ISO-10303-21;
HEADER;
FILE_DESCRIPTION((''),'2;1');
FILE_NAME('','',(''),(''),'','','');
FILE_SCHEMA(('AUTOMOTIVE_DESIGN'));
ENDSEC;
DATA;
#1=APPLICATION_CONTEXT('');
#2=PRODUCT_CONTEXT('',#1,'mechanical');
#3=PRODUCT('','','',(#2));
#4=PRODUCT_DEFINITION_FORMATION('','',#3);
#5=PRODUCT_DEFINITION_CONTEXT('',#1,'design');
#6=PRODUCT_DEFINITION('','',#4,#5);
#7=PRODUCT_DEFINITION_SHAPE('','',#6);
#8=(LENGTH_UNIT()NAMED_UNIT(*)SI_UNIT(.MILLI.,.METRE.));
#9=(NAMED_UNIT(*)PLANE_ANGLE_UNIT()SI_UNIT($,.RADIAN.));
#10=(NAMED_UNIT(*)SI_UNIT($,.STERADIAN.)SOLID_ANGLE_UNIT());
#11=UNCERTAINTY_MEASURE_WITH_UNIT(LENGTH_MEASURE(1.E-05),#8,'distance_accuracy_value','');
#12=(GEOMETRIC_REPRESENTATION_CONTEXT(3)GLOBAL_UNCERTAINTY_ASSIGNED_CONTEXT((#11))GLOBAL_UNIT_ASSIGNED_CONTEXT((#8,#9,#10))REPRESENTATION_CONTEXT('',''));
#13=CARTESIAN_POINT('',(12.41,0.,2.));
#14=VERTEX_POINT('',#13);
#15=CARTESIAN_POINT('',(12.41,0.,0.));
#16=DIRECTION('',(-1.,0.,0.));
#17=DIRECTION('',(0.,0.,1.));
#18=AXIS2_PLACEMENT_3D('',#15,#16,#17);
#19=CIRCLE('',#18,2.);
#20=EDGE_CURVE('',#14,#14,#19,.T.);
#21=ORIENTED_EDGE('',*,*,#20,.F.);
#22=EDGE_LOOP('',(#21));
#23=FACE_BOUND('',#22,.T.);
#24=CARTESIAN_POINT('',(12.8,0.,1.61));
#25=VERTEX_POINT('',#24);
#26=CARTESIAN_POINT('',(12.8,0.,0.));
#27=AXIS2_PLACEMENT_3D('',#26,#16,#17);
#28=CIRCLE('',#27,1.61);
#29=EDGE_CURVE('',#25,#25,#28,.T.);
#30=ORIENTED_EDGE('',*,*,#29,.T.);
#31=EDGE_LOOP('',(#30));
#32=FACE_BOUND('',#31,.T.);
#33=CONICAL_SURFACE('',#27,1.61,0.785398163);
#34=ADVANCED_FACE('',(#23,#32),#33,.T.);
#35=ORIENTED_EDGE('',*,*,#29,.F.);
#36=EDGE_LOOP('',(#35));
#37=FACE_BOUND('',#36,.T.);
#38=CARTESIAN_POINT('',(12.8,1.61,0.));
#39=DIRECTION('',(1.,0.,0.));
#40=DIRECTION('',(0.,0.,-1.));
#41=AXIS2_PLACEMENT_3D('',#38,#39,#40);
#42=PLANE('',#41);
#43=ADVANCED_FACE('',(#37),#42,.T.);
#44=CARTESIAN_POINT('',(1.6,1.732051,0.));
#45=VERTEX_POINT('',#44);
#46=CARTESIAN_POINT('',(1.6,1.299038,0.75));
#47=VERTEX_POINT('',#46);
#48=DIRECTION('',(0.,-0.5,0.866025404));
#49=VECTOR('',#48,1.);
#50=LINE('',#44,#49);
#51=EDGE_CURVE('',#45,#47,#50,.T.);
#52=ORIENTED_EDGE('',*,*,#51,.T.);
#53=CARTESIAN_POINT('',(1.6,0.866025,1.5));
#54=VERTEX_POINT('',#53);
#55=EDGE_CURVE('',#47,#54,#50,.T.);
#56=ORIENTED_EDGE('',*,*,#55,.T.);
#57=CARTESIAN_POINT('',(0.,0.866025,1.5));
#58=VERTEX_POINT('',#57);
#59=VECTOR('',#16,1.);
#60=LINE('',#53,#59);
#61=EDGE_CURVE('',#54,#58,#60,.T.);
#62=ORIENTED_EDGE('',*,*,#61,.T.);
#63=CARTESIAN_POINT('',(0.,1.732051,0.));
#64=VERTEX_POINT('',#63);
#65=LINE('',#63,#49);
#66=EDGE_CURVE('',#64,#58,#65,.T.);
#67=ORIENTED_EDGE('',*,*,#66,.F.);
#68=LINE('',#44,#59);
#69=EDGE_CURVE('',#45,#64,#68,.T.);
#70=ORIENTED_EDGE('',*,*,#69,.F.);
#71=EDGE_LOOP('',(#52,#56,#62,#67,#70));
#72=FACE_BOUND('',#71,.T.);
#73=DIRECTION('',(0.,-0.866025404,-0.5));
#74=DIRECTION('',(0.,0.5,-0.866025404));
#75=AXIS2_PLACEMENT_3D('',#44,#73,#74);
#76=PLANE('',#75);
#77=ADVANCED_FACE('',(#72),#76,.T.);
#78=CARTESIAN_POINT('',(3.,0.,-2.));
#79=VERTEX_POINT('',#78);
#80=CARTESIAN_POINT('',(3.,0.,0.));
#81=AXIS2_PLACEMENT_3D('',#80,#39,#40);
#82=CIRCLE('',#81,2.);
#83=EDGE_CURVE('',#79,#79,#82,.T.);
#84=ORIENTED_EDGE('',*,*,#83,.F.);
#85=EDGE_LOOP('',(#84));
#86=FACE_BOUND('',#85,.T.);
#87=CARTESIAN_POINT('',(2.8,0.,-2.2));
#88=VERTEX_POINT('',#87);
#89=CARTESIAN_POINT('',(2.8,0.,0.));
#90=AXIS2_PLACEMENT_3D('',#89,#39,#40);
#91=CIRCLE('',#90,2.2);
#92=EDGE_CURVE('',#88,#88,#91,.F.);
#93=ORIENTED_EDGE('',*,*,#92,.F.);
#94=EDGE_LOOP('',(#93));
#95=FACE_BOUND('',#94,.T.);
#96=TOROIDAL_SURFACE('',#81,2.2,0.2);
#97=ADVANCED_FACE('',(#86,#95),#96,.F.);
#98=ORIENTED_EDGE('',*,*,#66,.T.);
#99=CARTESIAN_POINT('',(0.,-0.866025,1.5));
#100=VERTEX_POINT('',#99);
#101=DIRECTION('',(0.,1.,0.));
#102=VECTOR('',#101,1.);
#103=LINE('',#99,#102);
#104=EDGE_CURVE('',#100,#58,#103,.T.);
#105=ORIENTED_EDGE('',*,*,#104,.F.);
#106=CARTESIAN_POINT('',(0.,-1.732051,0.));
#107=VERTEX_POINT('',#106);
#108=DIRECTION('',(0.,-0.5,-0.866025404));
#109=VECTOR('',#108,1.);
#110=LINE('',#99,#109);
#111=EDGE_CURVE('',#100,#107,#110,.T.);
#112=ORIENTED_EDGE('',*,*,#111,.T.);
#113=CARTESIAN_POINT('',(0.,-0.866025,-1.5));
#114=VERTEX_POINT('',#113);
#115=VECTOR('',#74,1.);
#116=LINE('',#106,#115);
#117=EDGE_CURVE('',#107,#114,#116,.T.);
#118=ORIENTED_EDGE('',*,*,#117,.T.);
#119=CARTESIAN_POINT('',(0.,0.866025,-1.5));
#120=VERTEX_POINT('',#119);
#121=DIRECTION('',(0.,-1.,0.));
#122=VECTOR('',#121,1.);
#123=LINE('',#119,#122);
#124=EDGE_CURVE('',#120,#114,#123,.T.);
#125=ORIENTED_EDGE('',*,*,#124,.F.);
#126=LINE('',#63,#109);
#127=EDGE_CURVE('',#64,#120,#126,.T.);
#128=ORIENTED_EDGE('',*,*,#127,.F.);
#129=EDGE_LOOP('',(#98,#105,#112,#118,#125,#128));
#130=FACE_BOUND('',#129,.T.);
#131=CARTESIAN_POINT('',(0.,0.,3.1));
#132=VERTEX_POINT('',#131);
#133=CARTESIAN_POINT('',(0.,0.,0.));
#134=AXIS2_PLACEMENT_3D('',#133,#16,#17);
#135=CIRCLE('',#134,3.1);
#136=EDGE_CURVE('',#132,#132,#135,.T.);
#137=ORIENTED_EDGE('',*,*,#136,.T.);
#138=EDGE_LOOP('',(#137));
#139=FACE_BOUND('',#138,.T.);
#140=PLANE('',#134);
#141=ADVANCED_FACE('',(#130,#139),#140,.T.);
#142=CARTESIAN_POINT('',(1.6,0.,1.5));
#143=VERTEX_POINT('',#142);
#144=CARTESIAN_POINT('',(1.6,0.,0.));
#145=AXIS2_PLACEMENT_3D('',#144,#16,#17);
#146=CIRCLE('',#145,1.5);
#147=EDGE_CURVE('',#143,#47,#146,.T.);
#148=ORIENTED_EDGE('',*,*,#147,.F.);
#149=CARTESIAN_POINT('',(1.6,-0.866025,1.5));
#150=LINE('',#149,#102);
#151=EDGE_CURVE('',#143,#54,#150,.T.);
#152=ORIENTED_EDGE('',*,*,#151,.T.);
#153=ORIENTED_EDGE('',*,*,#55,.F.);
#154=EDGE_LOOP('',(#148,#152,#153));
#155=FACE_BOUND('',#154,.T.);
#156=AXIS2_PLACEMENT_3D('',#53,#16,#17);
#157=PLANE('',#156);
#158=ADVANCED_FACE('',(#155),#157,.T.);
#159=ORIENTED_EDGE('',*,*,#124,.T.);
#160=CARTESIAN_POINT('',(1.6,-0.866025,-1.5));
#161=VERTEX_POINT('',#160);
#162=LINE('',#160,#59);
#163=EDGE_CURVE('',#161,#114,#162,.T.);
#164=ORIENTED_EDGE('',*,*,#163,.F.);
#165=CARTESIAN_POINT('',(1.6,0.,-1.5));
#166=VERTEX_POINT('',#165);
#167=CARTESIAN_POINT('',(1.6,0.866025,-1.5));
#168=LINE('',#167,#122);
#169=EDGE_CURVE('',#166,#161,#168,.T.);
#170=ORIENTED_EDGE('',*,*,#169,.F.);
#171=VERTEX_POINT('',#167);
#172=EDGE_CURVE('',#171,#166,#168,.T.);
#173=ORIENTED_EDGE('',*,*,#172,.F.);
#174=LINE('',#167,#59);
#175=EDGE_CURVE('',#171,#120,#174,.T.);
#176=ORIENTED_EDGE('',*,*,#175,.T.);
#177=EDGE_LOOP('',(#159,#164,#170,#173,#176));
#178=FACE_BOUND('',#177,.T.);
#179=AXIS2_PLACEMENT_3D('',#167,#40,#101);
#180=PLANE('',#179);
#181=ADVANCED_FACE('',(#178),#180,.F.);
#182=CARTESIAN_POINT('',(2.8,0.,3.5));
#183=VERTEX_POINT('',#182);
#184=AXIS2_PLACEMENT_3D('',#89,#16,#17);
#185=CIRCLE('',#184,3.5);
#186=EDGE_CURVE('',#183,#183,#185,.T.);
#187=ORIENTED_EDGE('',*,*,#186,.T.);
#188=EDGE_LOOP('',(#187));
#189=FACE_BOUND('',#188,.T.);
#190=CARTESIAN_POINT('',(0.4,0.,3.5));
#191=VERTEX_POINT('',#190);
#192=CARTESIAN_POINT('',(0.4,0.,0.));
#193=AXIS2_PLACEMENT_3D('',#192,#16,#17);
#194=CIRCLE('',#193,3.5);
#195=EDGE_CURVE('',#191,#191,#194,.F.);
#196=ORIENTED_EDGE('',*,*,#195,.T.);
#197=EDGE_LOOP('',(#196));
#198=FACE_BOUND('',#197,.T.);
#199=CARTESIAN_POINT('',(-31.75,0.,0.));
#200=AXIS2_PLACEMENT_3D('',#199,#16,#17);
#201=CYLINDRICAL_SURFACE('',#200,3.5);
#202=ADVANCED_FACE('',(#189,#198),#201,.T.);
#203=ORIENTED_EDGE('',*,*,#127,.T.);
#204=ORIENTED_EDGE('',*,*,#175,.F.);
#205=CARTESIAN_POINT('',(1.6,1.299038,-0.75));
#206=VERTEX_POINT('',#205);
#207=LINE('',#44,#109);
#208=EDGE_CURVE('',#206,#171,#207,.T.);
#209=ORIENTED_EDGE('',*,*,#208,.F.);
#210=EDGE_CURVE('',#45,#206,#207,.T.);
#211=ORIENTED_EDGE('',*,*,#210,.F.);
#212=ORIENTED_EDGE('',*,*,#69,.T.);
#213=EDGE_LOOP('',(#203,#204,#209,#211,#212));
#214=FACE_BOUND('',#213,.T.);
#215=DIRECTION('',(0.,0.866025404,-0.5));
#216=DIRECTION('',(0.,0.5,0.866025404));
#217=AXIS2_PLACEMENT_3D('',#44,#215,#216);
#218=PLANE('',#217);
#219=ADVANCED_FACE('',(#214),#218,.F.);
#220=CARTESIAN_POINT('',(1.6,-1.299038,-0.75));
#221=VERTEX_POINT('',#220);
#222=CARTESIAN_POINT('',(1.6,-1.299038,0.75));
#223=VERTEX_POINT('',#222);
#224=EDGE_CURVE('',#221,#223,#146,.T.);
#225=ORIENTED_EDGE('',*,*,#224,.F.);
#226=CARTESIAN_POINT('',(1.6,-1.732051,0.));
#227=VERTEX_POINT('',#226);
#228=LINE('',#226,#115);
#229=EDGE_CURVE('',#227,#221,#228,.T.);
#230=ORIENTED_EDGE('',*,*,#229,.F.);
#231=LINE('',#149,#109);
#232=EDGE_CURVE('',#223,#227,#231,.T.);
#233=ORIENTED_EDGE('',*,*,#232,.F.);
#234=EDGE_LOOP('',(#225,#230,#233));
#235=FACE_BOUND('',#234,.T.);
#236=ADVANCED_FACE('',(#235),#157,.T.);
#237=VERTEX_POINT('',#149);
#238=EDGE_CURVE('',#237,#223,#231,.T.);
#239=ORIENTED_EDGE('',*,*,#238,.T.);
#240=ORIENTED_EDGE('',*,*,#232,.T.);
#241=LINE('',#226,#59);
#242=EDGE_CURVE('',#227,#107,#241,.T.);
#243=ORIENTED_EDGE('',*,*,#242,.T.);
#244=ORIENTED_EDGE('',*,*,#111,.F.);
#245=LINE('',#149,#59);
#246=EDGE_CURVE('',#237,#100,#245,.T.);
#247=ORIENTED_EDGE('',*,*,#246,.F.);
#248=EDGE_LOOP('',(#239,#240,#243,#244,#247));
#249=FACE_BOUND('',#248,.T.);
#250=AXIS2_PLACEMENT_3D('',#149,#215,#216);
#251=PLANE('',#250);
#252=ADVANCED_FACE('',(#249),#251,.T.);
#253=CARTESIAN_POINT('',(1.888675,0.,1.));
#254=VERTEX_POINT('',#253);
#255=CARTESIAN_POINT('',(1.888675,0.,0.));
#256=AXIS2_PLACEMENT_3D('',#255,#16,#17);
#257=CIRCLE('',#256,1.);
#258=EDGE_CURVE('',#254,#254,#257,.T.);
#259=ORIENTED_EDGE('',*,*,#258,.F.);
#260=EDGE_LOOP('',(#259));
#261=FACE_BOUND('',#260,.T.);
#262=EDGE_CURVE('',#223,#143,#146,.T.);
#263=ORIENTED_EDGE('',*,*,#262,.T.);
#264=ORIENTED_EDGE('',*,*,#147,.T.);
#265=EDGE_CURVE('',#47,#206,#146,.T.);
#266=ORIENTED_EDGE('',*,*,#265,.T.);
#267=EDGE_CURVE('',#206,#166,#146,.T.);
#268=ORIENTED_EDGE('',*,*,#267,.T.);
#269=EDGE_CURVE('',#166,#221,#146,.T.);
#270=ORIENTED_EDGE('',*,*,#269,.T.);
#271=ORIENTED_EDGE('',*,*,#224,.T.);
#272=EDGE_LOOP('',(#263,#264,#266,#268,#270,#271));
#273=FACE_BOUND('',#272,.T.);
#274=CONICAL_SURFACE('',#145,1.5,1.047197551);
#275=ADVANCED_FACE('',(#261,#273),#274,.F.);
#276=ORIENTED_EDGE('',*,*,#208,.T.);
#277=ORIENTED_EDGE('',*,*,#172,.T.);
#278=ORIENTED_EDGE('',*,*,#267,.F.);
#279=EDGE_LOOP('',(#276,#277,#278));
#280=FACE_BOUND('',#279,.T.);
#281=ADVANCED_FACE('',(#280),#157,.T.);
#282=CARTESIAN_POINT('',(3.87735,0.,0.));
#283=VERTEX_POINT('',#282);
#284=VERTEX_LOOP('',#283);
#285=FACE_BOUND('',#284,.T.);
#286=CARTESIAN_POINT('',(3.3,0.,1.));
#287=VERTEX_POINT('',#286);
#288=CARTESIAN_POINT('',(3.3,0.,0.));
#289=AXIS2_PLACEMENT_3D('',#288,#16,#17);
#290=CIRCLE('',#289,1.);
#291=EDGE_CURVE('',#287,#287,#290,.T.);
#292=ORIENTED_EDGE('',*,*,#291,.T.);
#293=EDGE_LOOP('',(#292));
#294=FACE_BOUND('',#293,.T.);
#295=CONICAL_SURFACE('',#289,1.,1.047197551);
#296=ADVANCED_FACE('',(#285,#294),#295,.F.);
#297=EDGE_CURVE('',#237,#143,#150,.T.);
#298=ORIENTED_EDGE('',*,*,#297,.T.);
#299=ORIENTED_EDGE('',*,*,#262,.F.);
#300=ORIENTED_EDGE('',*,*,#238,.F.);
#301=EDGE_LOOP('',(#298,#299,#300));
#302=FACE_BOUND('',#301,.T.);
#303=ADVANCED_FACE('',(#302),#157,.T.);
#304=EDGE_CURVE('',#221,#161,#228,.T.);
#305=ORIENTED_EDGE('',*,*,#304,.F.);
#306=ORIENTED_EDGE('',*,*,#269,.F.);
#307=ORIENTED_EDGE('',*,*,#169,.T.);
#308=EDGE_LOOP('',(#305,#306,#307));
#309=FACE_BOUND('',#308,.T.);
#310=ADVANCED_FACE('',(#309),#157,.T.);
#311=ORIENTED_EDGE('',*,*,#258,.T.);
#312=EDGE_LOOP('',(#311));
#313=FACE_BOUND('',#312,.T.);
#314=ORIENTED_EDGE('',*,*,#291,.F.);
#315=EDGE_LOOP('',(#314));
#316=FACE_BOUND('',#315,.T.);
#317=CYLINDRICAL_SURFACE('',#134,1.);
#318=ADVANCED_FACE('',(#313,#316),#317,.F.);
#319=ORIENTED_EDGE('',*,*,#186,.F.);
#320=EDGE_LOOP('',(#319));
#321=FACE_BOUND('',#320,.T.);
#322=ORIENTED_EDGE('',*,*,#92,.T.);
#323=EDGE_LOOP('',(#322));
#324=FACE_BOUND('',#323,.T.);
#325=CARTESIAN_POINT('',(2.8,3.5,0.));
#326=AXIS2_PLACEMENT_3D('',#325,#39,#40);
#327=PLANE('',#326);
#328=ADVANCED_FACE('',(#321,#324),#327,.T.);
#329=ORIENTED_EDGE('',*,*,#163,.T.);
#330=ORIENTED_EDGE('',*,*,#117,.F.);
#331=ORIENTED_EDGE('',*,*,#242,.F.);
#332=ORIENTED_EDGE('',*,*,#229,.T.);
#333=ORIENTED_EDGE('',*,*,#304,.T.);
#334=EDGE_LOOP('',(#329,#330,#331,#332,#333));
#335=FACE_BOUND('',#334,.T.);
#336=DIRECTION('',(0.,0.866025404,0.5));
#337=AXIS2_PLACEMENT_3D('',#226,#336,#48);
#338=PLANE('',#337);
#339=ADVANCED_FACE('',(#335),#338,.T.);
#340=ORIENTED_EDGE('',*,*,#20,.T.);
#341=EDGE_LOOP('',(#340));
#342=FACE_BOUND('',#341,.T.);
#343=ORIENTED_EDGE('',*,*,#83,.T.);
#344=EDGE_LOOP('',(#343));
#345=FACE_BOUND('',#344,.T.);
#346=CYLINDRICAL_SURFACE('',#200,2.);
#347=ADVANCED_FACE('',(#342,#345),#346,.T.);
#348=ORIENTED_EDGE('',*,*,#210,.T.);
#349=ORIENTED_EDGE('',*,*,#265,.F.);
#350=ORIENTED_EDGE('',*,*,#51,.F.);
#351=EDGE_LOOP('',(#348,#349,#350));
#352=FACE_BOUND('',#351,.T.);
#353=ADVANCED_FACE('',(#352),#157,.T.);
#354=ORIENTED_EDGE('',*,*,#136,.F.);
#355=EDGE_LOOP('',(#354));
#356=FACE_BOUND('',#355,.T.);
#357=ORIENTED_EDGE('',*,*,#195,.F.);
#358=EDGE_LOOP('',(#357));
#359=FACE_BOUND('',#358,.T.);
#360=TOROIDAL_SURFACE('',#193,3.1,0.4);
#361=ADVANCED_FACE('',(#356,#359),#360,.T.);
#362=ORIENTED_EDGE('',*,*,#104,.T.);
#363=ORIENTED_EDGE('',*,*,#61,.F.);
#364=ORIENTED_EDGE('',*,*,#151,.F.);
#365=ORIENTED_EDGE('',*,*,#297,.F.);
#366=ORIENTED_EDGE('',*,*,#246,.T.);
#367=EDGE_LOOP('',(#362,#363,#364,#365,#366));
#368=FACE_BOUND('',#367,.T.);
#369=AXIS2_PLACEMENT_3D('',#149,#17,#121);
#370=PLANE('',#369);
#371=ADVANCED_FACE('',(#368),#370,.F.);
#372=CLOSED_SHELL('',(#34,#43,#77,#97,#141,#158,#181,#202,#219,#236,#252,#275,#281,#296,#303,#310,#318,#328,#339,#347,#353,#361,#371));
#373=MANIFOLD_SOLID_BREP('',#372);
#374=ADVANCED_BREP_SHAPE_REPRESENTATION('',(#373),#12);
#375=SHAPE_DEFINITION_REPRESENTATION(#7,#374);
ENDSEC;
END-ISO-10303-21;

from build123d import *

# Parameters (mm, degrees)
FILLET1_R   = 0.2
FILLET2_R   = 0.4
HEX_2_DEPTH = 1.6


with BuildPart() as part:
    # BodySke → Base-Revolve (revolve)
    with BuildSketch(Plane.XY):
        Polygon((0, 0), (0, 3.5), (2.8, 3.5), (2.8, 2), (12.41, 2), (12.8, 1.61), (12.8, 0), align=None)
    revolve(axis=Axis((-31.75, 0, 0), (1, 0, 0)))

    # Fillet1
    fillet1_edges = [part.edges().sort_by_distance(p)[0] for p in [
        (2.8, -2, 0),
    ]]
    fillet(fillet1_edges, radius=FILLET1_R)

    # Fillet2
    fillet2_edges = [part.edges().sort_by_distance(p)[0] for p in [
        (0, -3.5, 0),
    ]]
    fillet(fillet2_edges, radius=FILLET2_R)

    # HexSke → Hex 2 (cut)
    with BuildSketch(Plane(origin=(0, 0, 0), x_dir=(0, 0.5, 0.866025404), z_dir=(-1, 0, 0))):
        Polygon((0.866025404, 1.5), (-0.866025404, 1.5), (-1.732050808, 0), (-0.866025404, -1.5), (0.866025404, -1.5), (1.732050808, 0), align=None)
    extrude(amount=-HEX_2_DEPTH, mode=Mode.SUBTRACT)

    # PilotSke → Hex-PreBroach (revolve, cut)
    with BuildSketch(Plane.XY):
        Polygon((0, 1.5), (1.6, 1.5), (1.888675135, 1), (3.3, 1), (3.877350269, 0), (0, 0), align=None)
    revolve(axis=Axis((0, 0, 0), (1, 0, 0)), mode=Mode.SUBTRACT)


solid = part.part
